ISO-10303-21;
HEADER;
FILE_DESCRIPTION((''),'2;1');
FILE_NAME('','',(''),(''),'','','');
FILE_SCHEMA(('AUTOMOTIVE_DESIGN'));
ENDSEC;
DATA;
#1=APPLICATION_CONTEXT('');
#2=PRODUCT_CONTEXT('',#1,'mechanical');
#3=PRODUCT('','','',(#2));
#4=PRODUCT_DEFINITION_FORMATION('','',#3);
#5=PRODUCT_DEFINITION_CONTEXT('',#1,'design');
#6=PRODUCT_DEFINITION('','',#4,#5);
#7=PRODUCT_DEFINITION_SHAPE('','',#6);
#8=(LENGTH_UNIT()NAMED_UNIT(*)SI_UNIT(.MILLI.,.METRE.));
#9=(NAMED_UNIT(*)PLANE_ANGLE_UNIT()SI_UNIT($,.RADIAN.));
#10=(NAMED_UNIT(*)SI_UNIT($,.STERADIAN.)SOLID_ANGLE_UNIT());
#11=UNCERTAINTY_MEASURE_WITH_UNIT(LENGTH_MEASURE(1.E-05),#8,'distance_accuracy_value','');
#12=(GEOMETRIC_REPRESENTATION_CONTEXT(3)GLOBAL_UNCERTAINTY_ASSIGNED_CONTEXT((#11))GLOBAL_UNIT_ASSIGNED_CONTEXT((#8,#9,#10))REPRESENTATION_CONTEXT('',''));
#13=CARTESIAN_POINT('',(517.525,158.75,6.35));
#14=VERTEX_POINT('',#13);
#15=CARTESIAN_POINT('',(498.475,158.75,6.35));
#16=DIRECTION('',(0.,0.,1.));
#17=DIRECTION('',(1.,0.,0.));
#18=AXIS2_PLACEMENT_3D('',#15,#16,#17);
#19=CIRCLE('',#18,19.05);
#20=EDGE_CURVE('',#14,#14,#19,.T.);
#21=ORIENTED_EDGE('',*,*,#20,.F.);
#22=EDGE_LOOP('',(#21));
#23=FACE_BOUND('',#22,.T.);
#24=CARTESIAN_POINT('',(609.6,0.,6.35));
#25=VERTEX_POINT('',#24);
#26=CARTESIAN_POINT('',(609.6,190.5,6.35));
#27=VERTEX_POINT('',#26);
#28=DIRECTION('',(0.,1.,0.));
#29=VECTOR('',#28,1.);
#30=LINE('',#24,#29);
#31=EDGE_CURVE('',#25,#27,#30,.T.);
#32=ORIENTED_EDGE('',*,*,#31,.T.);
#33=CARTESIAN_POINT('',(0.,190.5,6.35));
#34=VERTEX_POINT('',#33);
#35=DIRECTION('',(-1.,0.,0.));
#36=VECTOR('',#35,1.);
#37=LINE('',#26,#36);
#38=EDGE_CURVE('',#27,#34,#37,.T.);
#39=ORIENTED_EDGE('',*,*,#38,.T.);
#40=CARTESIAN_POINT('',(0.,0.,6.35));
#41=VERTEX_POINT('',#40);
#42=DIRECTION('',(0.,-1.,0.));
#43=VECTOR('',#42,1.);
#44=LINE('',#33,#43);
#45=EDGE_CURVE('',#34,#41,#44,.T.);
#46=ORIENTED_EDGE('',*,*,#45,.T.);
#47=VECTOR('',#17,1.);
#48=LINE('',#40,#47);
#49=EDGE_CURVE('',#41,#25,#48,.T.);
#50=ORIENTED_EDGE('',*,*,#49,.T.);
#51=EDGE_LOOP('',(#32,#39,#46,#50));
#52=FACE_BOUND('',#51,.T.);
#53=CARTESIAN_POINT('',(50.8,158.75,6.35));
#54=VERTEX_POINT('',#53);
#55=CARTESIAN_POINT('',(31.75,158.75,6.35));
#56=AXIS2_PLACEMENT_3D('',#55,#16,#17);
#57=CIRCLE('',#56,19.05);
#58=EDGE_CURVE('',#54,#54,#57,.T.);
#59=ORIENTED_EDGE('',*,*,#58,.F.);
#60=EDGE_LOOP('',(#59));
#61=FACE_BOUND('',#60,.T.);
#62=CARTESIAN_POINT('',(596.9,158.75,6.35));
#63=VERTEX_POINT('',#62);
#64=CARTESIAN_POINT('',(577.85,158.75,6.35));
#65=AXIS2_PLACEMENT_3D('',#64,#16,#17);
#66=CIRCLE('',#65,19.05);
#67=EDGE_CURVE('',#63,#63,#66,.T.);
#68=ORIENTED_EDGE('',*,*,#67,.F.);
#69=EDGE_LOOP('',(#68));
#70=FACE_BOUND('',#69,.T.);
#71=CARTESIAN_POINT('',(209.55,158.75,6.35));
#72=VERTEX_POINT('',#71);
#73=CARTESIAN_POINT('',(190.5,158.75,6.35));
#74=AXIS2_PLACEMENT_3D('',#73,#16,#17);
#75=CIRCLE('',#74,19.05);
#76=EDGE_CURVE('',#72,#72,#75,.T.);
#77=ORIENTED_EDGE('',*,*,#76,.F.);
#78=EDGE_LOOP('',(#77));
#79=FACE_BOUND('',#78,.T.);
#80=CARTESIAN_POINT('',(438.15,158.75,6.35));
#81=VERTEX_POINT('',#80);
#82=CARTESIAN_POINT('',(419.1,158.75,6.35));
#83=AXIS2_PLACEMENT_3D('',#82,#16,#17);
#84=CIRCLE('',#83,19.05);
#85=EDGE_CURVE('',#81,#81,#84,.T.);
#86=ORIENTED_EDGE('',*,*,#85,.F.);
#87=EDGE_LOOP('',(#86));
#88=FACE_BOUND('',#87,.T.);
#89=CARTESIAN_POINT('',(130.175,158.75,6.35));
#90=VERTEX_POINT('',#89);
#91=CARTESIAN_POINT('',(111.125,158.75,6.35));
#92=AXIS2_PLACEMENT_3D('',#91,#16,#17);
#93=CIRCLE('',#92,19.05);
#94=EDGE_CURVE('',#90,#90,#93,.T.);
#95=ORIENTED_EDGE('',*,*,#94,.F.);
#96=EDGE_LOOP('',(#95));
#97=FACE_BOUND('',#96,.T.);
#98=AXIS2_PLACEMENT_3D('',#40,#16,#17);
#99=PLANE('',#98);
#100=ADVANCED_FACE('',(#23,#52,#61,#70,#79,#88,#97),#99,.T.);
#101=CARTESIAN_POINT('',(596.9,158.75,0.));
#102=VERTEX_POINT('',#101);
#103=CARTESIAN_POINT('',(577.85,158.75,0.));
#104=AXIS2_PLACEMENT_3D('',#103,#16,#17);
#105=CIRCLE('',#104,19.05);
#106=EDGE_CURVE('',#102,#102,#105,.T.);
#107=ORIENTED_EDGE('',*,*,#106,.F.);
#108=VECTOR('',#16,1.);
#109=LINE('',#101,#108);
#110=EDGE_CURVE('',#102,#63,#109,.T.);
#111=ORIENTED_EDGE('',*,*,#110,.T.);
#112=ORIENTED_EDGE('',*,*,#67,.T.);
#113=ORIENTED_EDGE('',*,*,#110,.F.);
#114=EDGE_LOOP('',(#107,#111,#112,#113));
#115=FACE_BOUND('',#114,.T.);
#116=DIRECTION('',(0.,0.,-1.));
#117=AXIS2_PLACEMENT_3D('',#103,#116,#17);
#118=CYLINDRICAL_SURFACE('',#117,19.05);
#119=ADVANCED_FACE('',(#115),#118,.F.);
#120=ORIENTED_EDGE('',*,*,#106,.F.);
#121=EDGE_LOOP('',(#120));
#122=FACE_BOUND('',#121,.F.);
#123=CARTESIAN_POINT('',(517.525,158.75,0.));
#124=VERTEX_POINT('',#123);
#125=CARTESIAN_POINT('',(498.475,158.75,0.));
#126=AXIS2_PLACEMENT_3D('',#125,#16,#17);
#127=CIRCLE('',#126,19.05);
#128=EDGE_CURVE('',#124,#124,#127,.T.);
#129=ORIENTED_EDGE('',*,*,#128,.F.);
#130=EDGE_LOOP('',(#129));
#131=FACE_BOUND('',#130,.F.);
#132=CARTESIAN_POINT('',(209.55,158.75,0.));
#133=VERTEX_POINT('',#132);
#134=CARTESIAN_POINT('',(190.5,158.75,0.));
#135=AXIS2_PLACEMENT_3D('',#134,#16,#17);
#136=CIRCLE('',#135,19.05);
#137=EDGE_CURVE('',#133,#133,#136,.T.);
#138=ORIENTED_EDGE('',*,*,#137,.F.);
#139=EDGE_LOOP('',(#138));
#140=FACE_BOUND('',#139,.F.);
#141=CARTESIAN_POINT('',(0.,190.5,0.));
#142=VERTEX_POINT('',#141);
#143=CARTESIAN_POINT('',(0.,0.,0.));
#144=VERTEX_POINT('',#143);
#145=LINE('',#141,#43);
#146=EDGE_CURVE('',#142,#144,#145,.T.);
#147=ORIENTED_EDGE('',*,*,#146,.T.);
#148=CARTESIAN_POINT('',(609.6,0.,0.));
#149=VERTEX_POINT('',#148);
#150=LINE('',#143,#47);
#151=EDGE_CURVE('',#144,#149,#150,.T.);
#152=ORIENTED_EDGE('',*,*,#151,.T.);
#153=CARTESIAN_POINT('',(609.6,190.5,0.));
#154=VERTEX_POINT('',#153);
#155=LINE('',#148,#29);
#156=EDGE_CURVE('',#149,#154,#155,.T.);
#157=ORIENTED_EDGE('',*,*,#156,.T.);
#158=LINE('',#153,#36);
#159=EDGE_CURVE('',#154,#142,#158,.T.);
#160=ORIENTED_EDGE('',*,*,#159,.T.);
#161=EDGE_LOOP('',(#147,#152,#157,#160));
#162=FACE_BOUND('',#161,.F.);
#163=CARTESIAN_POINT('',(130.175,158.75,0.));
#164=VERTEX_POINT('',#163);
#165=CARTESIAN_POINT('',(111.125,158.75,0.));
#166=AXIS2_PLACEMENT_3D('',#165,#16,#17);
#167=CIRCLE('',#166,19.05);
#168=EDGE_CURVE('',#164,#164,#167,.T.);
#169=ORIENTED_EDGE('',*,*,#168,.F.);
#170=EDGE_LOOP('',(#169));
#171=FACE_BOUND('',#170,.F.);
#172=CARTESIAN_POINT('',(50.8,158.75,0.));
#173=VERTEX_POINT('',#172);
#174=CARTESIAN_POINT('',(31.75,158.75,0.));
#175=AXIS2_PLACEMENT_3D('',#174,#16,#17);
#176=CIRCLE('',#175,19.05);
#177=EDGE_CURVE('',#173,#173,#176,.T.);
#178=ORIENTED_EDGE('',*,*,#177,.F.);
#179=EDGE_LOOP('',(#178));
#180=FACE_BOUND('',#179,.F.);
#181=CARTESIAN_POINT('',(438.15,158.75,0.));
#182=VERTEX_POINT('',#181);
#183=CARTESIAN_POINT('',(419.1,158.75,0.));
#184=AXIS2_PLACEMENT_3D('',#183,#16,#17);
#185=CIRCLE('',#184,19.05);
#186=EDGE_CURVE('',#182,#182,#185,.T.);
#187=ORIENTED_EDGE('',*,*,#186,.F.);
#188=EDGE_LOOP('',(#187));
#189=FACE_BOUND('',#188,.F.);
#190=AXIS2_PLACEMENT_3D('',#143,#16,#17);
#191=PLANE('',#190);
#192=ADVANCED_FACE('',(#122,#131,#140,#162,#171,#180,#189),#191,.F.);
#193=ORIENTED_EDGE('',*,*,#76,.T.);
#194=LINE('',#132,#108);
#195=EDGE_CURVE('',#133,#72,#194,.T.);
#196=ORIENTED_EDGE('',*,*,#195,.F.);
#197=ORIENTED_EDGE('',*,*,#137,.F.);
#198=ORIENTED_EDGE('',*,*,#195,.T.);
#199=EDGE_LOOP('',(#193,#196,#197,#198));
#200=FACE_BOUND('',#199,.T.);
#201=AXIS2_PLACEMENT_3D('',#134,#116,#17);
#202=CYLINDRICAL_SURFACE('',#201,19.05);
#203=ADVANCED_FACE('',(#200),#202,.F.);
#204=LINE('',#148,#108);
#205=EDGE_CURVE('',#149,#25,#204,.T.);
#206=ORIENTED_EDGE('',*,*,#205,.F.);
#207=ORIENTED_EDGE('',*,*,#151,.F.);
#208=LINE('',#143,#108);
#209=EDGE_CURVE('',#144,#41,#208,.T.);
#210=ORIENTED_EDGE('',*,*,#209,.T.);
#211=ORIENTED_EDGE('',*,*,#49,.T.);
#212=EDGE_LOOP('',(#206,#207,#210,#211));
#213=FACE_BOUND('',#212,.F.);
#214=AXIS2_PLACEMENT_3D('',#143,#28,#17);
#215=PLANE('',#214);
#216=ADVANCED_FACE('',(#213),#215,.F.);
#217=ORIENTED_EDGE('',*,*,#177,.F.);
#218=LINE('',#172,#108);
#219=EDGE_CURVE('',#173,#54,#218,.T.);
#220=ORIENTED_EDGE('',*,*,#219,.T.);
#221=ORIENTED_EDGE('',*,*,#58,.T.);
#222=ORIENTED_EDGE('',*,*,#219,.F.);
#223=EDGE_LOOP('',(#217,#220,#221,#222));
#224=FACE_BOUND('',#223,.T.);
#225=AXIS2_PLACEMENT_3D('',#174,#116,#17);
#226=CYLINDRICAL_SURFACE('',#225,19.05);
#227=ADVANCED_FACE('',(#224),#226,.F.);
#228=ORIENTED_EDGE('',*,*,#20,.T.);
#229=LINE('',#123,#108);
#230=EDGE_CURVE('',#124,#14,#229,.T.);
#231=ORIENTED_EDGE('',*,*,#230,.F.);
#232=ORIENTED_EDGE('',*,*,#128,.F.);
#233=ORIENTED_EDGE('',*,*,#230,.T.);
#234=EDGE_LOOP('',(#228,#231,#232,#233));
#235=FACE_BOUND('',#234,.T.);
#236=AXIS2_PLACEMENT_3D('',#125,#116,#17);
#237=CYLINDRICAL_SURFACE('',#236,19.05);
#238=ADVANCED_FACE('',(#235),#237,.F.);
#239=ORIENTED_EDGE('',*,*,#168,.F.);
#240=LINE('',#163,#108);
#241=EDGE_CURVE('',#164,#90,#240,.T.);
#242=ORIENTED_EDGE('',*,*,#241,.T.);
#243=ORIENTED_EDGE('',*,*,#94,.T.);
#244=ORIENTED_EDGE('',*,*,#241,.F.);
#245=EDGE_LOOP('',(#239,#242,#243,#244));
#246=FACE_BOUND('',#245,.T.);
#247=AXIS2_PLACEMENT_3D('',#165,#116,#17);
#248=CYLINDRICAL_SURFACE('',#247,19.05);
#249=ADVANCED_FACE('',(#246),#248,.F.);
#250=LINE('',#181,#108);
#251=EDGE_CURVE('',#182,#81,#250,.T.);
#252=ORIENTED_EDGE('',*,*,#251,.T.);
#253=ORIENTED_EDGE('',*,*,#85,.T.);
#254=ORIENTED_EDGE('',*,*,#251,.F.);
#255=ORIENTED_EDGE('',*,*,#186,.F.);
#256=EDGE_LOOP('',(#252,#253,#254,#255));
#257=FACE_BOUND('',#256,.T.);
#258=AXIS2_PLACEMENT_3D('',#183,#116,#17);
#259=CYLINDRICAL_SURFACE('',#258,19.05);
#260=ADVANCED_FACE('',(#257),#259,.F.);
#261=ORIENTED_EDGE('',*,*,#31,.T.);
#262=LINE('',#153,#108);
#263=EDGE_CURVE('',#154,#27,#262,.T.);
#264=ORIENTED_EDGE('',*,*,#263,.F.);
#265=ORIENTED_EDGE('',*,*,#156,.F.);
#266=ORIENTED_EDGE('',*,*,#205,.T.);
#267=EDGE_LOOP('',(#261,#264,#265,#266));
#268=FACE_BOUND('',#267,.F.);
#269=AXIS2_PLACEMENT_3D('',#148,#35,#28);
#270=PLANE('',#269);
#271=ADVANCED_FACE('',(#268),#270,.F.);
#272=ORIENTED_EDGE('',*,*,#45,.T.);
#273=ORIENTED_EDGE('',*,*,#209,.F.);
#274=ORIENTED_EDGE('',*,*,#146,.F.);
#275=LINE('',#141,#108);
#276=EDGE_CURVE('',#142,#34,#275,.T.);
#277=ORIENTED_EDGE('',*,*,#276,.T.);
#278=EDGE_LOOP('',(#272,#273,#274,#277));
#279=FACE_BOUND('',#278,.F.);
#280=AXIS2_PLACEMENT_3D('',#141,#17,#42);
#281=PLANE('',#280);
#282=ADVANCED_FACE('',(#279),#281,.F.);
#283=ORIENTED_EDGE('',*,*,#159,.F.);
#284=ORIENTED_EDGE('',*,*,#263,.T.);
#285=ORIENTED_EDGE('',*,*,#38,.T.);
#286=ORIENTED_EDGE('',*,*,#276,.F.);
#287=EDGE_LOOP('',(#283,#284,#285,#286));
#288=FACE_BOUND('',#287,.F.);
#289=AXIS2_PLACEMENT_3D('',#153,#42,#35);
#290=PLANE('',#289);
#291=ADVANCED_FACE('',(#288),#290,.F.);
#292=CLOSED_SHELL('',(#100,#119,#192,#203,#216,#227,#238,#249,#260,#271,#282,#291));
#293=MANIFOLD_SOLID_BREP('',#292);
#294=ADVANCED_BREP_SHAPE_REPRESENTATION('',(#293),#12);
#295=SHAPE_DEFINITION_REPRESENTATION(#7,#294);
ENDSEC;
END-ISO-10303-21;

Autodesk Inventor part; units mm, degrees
ref_plane "YZ Plane" through (0, 0, 0) normal (1, 0, 0) x (0, 1, 0)
ref_plane "XZ Plane" through (0, 0, 0) normal (0, 1, 0) x (-1, 0, 0)
ref_plane "XY Plane" through (0, 0, 0) normal (0, 0, 1) x (1, 0, 0)
sketch "Sketch1" plane through (0, 0, 0) normal (0, 0, 1) x (1, 0, 0)
  line L0 (0, 0) -> (609.6, 0)
  line L1 (609.6, 0) -> (609.6, 190.5)
  line L2 (609.6, 190.5) -> (0, 190.5)
  line L3 (0, 190.5) -> (0, 0)
  circle A0 centre (577.85, 158.75) radius 19.05
  circle A1 centre (419.1, 158.75) radius 19.05
  circle A2 centre (190.5, 158.75) radius 19.05
  circle A3 centre (31.75, 158.75) radius 19.05
  circle A4 centre (498.475, 158.75) radius 19.05
  circle A5 centre (111.125, 158.75) radius 19.05
  dimension "d0" = 190.5
  dimension "d1" = 609.6
  dimension "d13" = 38.1
  dimension "d14" = 38.1
  dimension "d15" = 228.6
  dimension "d16" = 158.75
  dimension "d17" = 79.375
  dimension "d18" = 79.375
  dimension "d21" = 31.75
  dimension "d22" = 31.75
  dimension "d23" = 31.75
extrude "Extrusion1" add sketch "Sketch1" along normal blind 6.35
equation "\"d14\" = d13"
equation "\"d16\" = 0.5 * d1 - 0.5 * d15 - d23"
equation "\"d17\" = 0.5 * d16"
equation "\"d18\" = d17"
equation "\"d23\" = d22"
properties part number "manipulator back pannel"
